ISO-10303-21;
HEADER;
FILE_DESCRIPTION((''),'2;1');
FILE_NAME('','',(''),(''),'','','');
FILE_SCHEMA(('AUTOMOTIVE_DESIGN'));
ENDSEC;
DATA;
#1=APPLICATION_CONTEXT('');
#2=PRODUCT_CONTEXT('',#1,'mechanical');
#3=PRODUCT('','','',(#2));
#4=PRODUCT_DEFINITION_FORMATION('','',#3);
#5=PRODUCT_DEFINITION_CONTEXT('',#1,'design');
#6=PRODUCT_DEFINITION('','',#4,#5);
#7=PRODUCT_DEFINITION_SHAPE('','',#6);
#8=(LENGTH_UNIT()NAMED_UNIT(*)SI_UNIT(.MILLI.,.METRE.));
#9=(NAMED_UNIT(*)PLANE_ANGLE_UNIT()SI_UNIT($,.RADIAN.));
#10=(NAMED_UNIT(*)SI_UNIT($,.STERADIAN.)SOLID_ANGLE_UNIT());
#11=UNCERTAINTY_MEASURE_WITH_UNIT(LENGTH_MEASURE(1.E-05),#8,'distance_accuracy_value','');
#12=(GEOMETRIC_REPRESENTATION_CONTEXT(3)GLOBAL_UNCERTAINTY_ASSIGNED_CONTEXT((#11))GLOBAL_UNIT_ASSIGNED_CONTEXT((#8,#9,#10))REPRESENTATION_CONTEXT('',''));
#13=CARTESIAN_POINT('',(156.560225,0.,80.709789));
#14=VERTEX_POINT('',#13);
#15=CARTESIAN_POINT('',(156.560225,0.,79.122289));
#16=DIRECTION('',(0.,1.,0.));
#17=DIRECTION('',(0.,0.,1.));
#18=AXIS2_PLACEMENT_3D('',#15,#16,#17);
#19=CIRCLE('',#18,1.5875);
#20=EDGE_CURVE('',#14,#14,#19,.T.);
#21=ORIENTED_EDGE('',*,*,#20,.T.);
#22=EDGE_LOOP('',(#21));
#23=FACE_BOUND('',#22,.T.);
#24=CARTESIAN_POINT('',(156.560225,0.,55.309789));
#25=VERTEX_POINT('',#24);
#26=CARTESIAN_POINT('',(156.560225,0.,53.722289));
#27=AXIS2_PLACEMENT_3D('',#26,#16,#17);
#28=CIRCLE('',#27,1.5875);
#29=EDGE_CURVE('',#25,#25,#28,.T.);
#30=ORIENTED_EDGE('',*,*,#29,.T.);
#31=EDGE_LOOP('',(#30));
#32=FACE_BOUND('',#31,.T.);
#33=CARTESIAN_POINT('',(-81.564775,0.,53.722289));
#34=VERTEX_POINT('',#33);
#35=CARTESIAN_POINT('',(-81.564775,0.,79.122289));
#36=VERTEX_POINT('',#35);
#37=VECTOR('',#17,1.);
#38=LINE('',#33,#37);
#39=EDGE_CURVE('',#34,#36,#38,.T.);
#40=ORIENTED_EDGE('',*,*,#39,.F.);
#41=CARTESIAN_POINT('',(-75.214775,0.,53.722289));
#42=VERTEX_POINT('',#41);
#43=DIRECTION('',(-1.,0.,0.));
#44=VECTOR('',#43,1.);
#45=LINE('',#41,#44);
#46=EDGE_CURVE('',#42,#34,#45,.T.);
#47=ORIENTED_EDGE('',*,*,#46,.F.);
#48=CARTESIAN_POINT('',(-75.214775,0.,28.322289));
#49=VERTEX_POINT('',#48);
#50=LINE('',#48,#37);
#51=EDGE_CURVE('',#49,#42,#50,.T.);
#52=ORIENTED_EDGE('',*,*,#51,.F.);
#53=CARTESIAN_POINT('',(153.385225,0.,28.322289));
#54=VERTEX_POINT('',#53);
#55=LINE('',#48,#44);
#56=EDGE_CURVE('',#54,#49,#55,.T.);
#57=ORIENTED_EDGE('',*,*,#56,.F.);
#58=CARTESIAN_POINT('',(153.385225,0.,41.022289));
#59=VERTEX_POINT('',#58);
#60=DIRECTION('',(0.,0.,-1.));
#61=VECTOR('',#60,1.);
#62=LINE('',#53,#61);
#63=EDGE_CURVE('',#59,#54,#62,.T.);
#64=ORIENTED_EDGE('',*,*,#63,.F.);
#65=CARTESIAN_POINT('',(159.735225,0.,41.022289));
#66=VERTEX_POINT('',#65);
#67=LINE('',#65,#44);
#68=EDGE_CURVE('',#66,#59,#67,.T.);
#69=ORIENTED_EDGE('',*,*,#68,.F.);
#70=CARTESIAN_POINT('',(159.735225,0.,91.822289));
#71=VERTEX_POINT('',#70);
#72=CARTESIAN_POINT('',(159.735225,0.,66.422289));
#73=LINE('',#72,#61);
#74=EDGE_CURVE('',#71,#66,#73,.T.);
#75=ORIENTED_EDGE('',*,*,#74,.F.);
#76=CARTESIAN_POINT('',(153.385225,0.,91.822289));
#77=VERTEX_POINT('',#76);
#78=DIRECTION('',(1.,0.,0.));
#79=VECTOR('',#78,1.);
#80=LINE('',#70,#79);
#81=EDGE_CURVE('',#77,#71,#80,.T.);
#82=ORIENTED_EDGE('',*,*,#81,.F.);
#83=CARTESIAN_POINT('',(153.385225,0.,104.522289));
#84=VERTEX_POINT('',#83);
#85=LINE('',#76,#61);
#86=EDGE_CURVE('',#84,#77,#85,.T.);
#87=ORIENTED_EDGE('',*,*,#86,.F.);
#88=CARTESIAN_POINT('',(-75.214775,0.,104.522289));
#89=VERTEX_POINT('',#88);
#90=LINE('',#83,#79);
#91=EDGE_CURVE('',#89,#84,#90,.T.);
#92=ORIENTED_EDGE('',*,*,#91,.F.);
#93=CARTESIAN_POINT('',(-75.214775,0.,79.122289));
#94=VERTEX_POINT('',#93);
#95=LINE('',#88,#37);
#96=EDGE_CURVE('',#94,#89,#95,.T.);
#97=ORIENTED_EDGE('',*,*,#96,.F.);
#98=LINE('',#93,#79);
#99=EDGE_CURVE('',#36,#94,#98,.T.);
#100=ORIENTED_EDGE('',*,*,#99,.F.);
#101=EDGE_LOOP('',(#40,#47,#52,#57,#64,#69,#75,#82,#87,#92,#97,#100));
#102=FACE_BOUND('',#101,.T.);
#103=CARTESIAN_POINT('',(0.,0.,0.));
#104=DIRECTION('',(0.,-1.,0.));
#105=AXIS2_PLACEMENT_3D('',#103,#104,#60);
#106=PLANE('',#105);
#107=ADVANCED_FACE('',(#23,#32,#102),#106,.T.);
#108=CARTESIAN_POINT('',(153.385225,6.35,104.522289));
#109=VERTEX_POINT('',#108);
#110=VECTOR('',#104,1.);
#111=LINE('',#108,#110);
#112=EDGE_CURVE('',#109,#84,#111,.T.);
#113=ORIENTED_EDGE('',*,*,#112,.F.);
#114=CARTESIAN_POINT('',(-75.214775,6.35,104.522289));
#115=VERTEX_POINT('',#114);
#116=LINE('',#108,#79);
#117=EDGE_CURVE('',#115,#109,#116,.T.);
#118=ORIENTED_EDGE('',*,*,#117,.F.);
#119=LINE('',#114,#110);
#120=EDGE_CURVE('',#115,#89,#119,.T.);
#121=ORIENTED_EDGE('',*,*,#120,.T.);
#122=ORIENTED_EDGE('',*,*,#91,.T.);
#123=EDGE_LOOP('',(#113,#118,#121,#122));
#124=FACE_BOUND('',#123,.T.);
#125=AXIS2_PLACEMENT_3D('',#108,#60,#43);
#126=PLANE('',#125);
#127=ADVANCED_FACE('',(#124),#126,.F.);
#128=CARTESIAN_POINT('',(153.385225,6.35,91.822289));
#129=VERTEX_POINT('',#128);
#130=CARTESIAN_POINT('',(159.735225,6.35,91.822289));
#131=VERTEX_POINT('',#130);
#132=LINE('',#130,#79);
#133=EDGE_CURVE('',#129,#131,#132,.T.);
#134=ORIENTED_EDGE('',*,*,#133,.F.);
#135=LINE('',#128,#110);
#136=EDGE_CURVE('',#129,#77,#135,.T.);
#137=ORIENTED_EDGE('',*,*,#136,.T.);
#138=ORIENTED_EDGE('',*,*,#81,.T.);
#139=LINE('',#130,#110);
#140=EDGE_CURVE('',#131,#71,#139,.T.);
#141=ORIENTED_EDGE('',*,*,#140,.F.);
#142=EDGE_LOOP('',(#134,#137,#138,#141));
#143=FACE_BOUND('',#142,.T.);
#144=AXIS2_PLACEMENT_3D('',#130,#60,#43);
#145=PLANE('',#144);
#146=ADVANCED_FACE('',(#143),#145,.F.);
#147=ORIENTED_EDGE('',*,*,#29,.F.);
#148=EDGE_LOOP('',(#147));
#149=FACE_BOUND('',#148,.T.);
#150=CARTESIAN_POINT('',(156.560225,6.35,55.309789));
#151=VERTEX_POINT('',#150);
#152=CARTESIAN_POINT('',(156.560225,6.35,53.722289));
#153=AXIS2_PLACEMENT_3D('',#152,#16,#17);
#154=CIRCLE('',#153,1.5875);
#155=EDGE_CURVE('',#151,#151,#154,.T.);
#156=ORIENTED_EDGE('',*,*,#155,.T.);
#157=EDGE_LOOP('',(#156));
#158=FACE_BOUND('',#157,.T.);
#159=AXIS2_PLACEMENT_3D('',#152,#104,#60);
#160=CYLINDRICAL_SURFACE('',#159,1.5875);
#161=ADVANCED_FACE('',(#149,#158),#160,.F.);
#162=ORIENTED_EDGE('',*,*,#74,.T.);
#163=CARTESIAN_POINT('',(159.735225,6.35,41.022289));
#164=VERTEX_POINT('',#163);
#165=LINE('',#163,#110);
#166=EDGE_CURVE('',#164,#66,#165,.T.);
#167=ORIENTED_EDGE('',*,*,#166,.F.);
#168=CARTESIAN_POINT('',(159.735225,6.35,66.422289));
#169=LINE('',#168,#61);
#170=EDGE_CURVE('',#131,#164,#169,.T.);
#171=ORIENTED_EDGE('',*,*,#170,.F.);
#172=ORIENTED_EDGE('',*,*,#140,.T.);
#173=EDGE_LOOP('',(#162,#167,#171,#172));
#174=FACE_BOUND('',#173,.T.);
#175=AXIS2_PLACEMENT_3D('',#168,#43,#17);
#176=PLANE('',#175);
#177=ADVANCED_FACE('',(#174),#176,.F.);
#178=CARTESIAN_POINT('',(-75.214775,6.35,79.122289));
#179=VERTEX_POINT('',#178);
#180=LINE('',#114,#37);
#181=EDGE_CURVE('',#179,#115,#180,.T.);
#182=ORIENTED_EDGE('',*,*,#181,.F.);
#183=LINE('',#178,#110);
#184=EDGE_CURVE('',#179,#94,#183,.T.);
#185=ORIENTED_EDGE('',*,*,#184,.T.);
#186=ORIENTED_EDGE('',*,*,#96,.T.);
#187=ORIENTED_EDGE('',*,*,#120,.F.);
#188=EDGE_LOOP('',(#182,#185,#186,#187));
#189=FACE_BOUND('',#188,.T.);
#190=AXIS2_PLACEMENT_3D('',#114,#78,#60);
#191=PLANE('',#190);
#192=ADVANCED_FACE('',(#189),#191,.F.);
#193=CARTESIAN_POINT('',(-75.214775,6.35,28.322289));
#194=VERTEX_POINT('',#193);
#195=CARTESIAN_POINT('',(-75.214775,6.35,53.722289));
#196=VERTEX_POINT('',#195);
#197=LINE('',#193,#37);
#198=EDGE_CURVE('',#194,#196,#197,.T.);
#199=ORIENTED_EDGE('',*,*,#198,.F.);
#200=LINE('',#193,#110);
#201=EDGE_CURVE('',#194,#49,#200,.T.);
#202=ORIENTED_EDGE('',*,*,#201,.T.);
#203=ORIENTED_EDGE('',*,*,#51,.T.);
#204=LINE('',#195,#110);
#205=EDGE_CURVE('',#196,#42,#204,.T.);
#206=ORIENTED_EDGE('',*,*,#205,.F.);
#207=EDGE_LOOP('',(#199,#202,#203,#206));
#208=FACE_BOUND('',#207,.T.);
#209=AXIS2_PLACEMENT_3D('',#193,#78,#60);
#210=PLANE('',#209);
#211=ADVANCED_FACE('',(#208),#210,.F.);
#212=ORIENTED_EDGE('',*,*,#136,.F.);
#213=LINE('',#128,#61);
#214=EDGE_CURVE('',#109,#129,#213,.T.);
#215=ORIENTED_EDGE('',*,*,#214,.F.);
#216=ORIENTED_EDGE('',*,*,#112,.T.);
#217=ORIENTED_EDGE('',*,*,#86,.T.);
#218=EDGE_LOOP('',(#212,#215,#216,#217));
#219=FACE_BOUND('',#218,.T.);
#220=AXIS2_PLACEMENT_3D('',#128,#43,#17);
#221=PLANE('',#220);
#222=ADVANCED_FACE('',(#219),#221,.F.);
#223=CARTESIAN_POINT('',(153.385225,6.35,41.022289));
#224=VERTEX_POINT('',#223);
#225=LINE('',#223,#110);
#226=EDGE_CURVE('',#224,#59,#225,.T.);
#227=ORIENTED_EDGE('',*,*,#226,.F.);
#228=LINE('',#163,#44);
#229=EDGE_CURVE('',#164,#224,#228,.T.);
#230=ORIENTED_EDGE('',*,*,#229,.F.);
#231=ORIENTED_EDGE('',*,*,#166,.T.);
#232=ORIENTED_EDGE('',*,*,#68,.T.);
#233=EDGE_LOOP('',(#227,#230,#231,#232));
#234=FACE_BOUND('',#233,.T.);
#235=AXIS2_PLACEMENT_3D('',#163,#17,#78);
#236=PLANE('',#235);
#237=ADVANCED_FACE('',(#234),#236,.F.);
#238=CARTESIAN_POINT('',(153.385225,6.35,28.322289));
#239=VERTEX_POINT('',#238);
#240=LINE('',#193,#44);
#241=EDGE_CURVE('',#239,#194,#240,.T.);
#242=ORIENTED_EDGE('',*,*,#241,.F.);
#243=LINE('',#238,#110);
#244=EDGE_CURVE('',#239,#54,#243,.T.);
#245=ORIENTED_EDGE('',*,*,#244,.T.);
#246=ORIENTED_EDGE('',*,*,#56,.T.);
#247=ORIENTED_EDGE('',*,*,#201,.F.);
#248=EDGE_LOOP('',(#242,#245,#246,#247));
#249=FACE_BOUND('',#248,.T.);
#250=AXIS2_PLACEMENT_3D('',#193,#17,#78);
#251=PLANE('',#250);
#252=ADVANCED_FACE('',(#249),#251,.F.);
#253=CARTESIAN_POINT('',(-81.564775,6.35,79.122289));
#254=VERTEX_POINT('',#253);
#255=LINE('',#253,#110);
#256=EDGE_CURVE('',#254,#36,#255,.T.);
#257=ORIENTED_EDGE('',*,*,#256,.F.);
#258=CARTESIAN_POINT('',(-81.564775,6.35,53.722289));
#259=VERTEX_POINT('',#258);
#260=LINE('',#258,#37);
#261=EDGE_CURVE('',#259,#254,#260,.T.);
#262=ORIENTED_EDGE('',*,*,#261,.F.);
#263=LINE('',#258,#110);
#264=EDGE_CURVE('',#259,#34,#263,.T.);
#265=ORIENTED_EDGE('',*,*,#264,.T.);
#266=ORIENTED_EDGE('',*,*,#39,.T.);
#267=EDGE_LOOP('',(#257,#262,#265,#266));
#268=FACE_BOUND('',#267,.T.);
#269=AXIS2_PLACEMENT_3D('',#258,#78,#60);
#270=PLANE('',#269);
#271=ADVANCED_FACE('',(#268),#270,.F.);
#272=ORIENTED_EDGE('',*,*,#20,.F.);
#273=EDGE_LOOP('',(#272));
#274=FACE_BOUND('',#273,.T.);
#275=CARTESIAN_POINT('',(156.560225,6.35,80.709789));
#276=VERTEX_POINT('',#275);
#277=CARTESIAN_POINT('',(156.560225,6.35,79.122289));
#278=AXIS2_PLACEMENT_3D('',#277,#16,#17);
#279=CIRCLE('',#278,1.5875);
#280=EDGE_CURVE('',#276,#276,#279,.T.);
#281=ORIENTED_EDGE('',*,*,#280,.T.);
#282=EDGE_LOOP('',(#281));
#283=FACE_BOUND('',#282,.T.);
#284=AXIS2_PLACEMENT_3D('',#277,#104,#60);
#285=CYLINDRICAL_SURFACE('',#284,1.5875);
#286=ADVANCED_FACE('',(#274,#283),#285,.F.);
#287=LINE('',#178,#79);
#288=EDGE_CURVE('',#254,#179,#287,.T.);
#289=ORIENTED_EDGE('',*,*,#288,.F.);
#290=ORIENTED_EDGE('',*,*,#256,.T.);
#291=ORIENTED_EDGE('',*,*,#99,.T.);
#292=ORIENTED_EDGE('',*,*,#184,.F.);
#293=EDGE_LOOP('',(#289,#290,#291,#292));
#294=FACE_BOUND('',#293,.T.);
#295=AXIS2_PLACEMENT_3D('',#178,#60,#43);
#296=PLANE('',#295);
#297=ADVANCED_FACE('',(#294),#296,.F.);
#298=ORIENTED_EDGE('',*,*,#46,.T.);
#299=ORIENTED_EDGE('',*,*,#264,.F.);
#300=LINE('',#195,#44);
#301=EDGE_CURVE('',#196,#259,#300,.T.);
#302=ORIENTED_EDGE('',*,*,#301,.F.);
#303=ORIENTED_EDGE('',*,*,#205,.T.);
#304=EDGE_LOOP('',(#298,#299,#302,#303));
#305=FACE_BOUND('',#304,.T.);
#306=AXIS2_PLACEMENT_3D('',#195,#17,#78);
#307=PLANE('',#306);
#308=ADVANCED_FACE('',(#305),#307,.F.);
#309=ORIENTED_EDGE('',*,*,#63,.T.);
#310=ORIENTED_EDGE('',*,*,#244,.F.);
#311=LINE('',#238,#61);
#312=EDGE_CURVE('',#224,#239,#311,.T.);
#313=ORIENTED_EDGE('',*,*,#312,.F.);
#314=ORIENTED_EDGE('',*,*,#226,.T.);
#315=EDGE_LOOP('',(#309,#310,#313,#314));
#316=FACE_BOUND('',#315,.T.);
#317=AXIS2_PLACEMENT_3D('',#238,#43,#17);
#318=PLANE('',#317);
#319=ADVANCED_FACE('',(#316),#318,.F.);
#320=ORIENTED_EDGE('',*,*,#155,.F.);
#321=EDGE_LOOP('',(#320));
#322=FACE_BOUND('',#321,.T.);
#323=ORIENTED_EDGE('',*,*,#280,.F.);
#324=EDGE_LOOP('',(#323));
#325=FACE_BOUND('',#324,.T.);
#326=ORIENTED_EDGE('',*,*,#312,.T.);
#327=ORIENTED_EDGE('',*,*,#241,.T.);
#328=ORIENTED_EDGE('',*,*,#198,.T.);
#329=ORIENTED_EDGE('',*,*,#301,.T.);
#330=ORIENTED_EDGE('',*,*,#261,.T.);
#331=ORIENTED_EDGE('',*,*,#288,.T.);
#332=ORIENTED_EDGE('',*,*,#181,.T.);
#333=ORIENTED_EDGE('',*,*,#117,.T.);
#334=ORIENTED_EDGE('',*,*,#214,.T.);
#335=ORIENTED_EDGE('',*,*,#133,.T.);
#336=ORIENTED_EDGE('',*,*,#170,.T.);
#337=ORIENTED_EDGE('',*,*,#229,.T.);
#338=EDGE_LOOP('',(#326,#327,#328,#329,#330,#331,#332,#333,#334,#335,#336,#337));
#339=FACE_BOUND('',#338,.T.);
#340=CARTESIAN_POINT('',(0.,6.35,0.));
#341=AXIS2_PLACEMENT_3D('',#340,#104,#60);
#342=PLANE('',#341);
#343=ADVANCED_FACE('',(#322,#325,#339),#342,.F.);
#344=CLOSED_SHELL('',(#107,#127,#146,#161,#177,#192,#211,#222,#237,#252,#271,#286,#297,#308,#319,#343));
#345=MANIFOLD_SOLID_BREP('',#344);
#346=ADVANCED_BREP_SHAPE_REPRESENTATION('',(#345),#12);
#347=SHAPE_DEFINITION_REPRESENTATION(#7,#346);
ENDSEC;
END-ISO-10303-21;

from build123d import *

# Parameters (mm, degrees)
SKETCH1_R           = 1.5875
BOSS_EXTRUDE1_DEPTH = 6.35


with BuildPart() as part:
    # Sketch1 → Boss-Extrude1 (new body)
    with BuildSketch(Plane(origin=(0, 0, 0), x_dir=(1, 0, 0), z_dir=(0, 1, 0))):
        Polygon((-75.214775388, -28.322289224), (153.385224612, -28.322289224), (153.385224612, -41.022289224), (159.735224612, -41.022289224), (159.735224612, -66.422289224), (159.735224612, -91.822289224), (153.385224612, -91.822289224), (153.385224612, -104.522289224), (-75.214775388, -104.522289224), (-75.214775388, -79.122289224), (-81.564775388, -79.122289224), (-81.564775388, -53.722289224), (-75.214775388, -53.722289224), align=None)
        with Locations(Location((156.560224612, -53.722289224, 0), (0, 0, 270))):
            Circle(SKETCH1_R, mode=Mode.SUBTRACT)
        with Locations(Location((156.560224612, -79.122289224, 0), (0, 0, 270))):
            Circle(SKETCH1_R, mode=Mode.SUBTRACT)
    extrude(amount=BOSS_EXTRUDE1_DEPTH)


solid = part.part
